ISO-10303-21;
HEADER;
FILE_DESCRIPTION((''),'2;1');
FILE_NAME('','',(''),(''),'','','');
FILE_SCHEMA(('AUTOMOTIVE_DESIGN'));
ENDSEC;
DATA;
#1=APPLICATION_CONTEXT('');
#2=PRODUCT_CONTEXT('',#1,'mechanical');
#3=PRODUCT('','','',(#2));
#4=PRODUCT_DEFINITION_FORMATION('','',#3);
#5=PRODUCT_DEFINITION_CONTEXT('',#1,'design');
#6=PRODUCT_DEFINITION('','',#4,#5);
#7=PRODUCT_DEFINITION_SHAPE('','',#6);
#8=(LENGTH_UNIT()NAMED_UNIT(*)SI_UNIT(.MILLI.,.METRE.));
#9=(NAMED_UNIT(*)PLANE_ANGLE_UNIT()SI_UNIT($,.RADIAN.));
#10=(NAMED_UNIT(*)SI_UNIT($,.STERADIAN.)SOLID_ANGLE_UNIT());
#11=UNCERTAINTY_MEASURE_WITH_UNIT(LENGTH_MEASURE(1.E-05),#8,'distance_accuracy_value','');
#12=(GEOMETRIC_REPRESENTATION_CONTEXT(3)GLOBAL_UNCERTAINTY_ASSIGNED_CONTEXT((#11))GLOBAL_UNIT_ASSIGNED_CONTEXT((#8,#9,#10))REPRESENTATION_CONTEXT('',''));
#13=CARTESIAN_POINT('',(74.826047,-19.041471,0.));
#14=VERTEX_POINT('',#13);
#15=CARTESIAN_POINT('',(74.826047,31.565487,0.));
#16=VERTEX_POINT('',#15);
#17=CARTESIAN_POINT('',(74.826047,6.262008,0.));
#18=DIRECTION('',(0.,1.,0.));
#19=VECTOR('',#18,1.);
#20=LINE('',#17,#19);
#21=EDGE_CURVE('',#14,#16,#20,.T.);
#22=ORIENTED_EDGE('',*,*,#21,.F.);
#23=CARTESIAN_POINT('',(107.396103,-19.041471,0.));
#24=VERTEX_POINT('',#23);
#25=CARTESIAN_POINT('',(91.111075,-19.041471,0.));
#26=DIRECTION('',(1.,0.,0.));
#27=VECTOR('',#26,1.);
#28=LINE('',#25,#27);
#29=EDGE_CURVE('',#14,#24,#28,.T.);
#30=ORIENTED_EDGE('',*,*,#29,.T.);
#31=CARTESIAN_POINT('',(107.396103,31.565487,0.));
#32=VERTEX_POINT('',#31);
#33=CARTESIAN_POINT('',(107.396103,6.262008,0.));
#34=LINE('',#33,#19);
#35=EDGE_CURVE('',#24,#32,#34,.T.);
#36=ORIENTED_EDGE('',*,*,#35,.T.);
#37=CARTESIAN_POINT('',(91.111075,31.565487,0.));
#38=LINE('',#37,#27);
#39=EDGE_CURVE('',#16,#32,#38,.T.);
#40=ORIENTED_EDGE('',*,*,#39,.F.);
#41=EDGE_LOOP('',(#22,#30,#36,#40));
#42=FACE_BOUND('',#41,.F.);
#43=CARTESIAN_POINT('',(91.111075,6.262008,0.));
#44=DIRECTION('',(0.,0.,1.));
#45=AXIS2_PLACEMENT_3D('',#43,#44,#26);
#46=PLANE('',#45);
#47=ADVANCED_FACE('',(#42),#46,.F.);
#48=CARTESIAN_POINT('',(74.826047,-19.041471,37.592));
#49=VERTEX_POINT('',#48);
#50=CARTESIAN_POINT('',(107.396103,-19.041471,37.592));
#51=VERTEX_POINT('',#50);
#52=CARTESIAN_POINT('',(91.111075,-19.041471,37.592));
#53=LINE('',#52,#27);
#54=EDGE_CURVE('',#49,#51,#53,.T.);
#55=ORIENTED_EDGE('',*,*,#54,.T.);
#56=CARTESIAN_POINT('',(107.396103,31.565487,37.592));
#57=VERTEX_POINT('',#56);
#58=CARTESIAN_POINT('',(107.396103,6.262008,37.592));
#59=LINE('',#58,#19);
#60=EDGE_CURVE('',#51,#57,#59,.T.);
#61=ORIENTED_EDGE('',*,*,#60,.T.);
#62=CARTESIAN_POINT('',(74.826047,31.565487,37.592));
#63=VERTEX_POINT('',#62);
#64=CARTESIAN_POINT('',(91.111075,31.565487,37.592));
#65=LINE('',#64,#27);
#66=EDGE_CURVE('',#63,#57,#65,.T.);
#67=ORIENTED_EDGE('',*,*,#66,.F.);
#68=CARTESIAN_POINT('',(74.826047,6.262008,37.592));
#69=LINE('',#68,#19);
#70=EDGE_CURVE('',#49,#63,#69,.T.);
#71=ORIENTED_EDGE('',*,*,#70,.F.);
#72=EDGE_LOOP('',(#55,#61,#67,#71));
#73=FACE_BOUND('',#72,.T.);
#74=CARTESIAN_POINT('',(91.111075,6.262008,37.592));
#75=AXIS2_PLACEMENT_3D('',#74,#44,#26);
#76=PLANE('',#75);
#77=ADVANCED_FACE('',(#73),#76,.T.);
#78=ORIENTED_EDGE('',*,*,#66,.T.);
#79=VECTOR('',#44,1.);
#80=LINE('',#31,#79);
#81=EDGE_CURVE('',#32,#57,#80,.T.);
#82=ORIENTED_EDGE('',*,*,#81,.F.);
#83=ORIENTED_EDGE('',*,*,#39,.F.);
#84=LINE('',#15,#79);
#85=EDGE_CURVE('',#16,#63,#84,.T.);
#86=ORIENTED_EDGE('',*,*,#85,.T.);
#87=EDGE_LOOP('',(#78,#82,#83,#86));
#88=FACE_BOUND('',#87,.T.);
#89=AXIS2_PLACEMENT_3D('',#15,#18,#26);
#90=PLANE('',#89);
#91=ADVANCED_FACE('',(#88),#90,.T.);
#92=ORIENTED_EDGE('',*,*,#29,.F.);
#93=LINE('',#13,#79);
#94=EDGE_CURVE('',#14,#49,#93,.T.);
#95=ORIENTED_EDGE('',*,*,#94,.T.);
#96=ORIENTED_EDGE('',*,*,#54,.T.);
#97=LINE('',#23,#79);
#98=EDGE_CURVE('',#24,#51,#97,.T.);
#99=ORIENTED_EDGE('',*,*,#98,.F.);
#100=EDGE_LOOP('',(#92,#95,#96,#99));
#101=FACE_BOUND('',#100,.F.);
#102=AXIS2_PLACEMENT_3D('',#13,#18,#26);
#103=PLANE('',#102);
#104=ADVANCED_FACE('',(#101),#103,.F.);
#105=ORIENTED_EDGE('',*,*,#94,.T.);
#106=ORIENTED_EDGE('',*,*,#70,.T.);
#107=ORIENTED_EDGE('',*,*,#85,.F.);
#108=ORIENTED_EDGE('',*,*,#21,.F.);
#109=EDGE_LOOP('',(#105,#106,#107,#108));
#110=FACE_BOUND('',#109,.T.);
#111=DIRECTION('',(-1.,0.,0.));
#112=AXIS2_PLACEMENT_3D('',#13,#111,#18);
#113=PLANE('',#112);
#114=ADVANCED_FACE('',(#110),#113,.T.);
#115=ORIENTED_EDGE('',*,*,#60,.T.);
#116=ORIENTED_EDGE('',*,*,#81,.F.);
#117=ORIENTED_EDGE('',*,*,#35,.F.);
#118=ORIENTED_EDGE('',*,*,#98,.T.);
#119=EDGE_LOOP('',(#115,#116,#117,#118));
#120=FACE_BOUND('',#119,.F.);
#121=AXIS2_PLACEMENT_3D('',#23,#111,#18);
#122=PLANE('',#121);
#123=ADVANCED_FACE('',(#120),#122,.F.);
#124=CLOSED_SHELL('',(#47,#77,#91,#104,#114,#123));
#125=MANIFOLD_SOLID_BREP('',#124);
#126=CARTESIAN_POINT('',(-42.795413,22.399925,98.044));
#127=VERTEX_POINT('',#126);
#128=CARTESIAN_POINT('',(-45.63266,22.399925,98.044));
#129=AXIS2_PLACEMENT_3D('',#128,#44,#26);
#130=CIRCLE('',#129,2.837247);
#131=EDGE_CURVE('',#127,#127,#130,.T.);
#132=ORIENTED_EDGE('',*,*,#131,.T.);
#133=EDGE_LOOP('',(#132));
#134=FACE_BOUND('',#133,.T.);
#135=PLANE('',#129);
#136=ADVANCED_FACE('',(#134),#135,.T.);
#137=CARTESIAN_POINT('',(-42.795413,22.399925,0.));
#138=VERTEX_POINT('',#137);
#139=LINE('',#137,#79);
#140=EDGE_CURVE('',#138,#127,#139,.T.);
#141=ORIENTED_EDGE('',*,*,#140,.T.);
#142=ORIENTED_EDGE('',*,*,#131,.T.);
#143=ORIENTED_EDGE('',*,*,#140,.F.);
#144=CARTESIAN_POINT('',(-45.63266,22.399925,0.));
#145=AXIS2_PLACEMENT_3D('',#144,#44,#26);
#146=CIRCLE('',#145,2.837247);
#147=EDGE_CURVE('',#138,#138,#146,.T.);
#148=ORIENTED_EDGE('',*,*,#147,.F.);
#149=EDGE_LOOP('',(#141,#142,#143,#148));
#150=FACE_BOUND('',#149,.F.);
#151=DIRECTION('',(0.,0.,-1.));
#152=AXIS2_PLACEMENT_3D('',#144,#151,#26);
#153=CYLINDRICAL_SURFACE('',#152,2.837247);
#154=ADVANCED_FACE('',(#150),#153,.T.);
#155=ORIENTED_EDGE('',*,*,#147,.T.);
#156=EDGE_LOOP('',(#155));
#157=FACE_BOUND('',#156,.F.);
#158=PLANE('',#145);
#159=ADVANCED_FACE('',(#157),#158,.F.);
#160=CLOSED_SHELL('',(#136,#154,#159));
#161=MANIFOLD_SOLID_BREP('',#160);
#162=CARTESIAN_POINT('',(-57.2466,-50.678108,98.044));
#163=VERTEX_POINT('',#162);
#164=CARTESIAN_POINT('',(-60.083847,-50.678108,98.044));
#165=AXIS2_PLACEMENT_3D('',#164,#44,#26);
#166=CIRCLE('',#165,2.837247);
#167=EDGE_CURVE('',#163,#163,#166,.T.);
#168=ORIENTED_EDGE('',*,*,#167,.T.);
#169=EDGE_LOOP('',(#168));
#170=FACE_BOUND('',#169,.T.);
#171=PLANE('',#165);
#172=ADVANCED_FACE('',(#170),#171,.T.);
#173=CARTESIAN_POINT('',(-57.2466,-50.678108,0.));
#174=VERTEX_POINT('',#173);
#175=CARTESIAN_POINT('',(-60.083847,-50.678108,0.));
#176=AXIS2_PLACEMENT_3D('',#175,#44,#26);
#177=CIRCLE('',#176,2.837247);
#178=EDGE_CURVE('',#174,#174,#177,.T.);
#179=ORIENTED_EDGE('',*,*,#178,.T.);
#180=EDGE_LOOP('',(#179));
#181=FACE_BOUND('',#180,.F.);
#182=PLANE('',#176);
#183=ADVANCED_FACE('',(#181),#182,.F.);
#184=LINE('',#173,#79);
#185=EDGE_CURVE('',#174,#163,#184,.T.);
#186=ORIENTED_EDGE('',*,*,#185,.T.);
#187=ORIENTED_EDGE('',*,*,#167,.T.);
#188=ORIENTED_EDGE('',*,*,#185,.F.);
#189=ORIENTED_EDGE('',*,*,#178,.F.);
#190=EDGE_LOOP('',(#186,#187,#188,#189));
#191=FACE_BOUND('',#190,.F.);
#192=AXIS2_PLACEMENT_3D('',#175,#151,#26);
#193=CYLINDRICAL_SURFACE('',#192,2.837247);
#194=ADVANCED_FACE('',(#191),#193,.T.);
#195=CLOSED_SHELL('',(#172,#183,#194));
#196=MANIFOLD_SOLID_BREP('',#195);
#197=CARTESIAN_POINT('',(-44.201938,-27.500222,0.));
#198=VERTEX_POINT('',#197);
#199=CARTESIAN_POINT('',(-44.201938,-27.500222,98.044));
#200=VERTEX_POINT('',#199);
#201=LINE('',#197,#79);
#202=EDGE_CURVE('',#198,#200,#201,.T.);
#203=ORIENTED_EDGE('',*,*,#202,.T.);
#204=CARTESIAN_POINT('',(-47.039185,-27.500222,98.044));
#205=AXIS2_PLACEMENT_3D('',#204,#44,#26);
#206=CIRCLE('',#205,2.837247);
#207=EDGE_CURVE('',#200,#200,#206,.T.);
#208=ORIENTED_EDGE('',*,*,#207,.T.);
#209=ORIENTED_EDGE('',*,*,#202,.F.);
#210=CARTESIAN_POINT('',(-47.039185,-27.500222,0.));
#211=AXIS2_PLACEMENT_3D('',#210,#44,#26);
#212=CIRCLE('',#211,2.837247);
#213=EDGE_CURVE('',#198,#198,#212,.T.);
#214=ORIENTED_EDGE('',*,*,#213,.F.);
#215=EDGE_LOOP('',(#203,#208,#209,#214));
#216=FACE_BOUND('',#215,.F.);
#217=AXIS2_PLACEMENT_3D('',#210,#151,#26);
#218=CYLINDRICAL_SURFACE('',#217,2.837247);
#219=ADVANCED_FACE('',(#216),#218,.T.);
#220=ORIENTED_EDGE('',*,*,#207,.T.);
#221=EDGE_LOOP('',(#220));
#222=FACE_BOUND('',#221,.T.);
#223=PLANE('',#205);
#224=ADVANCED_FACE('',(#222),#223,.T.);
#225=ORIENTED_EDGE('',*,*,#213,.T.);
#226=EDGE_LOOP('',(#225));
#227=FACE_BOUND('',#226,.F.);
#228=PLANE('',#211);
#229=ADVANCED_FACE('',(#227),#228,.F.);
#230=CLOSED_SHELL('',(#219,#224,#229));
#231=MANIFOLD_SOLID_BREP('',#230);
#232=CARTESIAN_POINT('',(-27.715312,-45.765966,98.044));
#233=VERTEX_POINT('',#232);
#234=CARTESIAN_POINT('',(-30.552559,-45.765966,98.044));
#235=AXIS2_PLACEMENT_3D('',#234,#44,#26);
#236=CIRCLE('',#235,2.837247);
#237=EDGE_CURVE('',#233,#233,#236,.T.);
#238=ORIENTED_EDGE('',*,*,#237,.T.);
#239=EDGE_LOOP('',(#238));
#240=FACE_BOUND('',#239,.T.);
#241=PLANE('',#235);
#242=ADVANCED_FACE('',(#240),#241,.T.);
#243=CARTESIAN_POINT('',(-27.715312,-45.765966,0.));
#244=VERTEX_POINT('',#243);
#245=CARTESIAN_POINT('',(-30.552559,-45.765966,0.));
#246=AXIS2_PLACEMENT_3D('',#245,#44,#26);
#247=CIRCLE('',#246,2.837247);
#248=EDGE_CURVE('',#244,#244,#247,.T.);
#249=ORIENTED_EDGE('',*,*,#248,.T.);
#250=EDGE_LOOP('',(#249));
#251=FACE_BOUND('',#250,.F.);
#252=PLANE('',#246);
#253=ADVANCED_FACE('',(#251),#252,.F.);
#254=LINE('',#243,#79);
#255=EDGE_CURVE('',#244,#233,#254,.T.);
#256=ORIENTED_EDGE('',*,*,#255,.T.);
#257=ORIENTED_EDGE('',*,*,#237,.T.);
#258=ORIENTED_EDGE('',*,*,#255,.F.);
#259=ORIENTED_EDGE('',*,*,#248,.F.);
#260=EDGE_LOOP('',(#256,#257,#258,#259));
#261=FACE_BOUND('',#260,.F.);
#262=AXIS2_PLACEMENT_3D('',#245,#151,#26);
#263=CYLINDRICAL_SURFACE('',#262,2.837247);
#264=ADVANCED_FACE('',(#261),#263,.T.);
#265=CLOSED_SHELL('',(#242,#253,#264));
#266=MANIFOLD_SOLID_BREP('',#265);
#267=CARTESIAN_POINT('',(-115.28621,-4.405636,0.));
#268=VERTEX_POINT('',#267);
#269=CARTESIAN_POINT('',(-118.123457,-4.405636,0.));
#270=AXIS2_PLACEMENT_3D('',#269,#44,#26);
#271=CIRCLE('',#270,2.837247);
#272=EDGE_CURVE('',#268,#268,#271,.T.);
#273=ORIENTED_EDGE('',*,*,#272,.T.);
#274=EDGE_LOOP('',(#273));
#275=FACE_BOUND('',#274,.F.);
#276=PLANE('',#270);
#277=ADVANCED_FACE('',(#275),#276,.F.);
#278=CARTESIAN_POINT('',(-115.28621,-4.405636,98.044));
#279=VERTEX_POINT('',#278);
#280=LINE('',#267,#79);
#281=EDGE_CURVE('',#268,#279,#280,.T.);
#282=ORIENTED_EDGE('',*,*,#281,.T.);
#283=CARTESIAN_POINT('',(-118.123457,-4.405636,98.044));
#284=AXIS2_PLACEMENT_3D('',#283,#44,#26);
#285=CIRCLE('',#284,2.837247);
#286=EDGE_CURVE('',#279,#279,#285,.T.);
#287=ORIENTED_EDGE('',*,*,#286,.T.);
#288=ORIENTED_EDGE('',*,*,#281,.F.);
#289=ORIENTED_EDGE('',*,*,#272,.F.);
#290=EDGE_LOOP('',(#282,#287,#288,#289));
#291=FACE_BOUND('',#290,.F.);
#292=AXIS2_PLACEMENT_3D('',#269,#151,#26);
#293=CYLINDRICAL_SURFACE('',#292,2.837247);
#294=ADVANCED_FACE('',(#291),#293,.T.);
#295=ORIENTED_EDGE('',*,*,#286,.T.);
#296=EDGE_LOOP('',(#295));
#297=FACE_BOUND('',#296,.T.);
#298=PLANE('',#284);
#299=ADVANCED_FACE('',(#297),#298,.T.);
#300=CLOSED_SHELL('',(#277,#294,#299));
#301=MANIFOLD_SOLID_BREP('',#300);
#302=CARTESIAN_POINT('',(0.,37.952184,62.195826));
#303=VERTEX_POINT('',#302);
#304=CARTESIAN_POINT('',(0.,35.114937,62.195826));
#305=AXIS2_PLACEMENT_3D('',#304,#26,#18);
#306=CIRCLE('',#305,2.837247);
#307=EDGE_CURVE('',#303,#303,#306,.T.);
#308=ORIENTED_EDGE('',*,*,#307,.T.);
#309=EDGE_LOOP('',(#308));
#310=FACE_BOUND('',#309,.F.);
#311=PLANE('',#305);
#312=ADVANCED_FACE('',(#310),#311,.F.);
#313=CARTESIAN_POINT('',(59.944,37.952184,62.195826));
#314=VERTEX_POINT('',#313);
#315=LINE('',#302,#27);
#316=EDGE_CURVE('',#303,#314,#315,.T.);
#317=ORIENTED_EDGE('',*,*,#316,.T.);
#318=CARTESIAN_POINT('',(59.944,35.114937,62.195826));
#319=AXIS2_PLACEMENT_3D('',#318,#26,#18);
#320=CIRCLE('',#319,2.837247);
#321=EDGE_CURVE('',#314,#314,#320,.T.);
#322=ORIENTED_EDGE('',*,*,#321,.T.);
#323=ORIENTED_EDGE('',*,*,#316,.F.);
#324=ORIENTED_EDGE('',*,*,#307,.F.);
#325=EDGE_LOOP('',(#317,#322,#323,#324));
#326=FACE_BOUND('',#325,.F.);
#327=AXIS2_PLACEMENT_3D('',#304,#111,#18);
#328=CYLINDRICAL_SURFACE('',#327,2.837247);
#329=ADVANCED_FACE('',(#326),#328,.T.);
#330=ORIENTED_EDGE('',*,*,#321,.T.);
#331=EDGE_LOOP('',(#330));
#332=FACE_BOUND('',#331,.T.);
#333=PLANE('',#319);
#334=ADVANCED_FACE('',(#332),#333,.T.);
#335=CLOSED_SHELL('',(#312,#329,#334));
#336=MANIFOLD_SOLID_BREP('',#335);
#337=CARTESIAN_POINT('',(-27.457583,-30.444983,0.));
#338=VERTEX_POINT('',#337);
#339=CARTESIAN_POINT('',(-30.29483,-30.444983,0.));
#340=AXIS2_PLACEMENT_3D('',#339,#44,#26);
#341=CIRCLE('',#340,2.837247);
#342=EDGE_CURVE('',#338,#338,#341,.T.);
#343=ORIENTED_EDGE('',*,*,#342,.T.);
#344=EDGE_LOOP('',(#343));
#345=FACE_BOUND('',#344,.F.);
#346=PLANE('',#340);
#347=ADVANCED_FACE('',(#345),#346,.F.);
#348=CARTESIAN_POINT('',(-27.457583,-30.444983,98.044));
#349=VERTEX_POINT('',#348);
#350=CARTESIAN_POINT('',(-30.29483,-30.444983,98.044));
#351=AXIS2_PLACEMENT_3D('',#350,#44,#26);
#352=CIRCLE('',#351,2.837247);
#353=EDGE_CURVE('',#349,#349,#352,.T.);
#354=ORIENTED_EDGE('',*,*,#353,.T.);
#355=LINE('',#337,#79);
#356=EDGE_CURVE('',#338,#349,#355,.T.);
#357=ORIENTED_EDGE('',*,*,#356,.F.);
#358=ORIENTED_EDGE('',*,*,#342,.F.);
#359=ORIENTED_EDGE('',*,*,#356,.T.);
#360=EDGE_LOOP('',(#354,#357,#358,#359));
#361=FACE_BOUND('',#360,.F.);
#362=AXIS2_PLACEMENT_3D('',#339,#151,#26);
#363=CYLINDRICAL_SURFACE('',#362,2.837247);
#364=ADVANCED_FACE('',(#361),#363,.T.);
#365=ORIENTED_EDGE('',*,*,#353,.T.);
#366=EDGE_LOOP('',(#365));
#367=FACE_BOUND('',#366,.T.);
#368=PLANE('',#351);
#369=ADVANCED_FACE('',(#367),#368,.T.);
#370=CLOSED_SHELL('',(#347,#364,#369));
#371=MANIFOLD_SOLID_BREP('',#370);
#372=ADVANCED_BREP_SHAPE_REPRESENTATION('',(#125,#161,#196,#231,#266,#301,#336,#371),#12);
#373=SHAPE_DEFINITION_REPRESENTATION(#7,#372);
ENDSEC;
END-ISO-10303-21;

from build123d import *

# Parameters (mm, degrees)
F0_R     = 2.837247
F1_DEPTH = 98.044
F2_W     = 32.570056
F2_H     = 50.606958
F3_DEPTH = 37.592
F4_R     = 2.837247
F5_DEPTH = 59.944


with BuildPart() as f1:
    # F0 (on Top) → F1 (new body)
    with BuildSketch(Plane.XY):
        with Locations((-45.63266, 22.399925)):
            Circle(F0_R)
        with Locations((-47.039185, -27.500222)):
            Circle(F0_R)
        with Locations((-30.29483, -30.444983)):
            Circle(F0_R)
        with Locations((-30.552559, -45.765966)):
            Circle(F0_R)
        with Locations((-118.123457, -4.405636)):
            Circle(F0_R)
        with Locations((-60.083847, -50.678108)):
            Circle(F0_R)
    extrude(amount=F1_DEPTH)


with BuildPart() as f3:
    # F2 (on Top) → F3 (new body)
    with BuildSketch(Plane.XY):
        with Locations((91.111075, 6.262008)):
            Rectangle(F2_W, F2_H)
    extrude(amount=F3_DEPTH)


with BuildPart() as f5:
    # F4 (on Right) → F5 (new body)
    with BuildSketch(Plane.YZ):
        with Locations((35.114937, 62.195826)):
            Circle(F4_R)
    extrude(amount=F5_DEPTH)


solid = Compound([f1.part, f3.part, f5.part])
